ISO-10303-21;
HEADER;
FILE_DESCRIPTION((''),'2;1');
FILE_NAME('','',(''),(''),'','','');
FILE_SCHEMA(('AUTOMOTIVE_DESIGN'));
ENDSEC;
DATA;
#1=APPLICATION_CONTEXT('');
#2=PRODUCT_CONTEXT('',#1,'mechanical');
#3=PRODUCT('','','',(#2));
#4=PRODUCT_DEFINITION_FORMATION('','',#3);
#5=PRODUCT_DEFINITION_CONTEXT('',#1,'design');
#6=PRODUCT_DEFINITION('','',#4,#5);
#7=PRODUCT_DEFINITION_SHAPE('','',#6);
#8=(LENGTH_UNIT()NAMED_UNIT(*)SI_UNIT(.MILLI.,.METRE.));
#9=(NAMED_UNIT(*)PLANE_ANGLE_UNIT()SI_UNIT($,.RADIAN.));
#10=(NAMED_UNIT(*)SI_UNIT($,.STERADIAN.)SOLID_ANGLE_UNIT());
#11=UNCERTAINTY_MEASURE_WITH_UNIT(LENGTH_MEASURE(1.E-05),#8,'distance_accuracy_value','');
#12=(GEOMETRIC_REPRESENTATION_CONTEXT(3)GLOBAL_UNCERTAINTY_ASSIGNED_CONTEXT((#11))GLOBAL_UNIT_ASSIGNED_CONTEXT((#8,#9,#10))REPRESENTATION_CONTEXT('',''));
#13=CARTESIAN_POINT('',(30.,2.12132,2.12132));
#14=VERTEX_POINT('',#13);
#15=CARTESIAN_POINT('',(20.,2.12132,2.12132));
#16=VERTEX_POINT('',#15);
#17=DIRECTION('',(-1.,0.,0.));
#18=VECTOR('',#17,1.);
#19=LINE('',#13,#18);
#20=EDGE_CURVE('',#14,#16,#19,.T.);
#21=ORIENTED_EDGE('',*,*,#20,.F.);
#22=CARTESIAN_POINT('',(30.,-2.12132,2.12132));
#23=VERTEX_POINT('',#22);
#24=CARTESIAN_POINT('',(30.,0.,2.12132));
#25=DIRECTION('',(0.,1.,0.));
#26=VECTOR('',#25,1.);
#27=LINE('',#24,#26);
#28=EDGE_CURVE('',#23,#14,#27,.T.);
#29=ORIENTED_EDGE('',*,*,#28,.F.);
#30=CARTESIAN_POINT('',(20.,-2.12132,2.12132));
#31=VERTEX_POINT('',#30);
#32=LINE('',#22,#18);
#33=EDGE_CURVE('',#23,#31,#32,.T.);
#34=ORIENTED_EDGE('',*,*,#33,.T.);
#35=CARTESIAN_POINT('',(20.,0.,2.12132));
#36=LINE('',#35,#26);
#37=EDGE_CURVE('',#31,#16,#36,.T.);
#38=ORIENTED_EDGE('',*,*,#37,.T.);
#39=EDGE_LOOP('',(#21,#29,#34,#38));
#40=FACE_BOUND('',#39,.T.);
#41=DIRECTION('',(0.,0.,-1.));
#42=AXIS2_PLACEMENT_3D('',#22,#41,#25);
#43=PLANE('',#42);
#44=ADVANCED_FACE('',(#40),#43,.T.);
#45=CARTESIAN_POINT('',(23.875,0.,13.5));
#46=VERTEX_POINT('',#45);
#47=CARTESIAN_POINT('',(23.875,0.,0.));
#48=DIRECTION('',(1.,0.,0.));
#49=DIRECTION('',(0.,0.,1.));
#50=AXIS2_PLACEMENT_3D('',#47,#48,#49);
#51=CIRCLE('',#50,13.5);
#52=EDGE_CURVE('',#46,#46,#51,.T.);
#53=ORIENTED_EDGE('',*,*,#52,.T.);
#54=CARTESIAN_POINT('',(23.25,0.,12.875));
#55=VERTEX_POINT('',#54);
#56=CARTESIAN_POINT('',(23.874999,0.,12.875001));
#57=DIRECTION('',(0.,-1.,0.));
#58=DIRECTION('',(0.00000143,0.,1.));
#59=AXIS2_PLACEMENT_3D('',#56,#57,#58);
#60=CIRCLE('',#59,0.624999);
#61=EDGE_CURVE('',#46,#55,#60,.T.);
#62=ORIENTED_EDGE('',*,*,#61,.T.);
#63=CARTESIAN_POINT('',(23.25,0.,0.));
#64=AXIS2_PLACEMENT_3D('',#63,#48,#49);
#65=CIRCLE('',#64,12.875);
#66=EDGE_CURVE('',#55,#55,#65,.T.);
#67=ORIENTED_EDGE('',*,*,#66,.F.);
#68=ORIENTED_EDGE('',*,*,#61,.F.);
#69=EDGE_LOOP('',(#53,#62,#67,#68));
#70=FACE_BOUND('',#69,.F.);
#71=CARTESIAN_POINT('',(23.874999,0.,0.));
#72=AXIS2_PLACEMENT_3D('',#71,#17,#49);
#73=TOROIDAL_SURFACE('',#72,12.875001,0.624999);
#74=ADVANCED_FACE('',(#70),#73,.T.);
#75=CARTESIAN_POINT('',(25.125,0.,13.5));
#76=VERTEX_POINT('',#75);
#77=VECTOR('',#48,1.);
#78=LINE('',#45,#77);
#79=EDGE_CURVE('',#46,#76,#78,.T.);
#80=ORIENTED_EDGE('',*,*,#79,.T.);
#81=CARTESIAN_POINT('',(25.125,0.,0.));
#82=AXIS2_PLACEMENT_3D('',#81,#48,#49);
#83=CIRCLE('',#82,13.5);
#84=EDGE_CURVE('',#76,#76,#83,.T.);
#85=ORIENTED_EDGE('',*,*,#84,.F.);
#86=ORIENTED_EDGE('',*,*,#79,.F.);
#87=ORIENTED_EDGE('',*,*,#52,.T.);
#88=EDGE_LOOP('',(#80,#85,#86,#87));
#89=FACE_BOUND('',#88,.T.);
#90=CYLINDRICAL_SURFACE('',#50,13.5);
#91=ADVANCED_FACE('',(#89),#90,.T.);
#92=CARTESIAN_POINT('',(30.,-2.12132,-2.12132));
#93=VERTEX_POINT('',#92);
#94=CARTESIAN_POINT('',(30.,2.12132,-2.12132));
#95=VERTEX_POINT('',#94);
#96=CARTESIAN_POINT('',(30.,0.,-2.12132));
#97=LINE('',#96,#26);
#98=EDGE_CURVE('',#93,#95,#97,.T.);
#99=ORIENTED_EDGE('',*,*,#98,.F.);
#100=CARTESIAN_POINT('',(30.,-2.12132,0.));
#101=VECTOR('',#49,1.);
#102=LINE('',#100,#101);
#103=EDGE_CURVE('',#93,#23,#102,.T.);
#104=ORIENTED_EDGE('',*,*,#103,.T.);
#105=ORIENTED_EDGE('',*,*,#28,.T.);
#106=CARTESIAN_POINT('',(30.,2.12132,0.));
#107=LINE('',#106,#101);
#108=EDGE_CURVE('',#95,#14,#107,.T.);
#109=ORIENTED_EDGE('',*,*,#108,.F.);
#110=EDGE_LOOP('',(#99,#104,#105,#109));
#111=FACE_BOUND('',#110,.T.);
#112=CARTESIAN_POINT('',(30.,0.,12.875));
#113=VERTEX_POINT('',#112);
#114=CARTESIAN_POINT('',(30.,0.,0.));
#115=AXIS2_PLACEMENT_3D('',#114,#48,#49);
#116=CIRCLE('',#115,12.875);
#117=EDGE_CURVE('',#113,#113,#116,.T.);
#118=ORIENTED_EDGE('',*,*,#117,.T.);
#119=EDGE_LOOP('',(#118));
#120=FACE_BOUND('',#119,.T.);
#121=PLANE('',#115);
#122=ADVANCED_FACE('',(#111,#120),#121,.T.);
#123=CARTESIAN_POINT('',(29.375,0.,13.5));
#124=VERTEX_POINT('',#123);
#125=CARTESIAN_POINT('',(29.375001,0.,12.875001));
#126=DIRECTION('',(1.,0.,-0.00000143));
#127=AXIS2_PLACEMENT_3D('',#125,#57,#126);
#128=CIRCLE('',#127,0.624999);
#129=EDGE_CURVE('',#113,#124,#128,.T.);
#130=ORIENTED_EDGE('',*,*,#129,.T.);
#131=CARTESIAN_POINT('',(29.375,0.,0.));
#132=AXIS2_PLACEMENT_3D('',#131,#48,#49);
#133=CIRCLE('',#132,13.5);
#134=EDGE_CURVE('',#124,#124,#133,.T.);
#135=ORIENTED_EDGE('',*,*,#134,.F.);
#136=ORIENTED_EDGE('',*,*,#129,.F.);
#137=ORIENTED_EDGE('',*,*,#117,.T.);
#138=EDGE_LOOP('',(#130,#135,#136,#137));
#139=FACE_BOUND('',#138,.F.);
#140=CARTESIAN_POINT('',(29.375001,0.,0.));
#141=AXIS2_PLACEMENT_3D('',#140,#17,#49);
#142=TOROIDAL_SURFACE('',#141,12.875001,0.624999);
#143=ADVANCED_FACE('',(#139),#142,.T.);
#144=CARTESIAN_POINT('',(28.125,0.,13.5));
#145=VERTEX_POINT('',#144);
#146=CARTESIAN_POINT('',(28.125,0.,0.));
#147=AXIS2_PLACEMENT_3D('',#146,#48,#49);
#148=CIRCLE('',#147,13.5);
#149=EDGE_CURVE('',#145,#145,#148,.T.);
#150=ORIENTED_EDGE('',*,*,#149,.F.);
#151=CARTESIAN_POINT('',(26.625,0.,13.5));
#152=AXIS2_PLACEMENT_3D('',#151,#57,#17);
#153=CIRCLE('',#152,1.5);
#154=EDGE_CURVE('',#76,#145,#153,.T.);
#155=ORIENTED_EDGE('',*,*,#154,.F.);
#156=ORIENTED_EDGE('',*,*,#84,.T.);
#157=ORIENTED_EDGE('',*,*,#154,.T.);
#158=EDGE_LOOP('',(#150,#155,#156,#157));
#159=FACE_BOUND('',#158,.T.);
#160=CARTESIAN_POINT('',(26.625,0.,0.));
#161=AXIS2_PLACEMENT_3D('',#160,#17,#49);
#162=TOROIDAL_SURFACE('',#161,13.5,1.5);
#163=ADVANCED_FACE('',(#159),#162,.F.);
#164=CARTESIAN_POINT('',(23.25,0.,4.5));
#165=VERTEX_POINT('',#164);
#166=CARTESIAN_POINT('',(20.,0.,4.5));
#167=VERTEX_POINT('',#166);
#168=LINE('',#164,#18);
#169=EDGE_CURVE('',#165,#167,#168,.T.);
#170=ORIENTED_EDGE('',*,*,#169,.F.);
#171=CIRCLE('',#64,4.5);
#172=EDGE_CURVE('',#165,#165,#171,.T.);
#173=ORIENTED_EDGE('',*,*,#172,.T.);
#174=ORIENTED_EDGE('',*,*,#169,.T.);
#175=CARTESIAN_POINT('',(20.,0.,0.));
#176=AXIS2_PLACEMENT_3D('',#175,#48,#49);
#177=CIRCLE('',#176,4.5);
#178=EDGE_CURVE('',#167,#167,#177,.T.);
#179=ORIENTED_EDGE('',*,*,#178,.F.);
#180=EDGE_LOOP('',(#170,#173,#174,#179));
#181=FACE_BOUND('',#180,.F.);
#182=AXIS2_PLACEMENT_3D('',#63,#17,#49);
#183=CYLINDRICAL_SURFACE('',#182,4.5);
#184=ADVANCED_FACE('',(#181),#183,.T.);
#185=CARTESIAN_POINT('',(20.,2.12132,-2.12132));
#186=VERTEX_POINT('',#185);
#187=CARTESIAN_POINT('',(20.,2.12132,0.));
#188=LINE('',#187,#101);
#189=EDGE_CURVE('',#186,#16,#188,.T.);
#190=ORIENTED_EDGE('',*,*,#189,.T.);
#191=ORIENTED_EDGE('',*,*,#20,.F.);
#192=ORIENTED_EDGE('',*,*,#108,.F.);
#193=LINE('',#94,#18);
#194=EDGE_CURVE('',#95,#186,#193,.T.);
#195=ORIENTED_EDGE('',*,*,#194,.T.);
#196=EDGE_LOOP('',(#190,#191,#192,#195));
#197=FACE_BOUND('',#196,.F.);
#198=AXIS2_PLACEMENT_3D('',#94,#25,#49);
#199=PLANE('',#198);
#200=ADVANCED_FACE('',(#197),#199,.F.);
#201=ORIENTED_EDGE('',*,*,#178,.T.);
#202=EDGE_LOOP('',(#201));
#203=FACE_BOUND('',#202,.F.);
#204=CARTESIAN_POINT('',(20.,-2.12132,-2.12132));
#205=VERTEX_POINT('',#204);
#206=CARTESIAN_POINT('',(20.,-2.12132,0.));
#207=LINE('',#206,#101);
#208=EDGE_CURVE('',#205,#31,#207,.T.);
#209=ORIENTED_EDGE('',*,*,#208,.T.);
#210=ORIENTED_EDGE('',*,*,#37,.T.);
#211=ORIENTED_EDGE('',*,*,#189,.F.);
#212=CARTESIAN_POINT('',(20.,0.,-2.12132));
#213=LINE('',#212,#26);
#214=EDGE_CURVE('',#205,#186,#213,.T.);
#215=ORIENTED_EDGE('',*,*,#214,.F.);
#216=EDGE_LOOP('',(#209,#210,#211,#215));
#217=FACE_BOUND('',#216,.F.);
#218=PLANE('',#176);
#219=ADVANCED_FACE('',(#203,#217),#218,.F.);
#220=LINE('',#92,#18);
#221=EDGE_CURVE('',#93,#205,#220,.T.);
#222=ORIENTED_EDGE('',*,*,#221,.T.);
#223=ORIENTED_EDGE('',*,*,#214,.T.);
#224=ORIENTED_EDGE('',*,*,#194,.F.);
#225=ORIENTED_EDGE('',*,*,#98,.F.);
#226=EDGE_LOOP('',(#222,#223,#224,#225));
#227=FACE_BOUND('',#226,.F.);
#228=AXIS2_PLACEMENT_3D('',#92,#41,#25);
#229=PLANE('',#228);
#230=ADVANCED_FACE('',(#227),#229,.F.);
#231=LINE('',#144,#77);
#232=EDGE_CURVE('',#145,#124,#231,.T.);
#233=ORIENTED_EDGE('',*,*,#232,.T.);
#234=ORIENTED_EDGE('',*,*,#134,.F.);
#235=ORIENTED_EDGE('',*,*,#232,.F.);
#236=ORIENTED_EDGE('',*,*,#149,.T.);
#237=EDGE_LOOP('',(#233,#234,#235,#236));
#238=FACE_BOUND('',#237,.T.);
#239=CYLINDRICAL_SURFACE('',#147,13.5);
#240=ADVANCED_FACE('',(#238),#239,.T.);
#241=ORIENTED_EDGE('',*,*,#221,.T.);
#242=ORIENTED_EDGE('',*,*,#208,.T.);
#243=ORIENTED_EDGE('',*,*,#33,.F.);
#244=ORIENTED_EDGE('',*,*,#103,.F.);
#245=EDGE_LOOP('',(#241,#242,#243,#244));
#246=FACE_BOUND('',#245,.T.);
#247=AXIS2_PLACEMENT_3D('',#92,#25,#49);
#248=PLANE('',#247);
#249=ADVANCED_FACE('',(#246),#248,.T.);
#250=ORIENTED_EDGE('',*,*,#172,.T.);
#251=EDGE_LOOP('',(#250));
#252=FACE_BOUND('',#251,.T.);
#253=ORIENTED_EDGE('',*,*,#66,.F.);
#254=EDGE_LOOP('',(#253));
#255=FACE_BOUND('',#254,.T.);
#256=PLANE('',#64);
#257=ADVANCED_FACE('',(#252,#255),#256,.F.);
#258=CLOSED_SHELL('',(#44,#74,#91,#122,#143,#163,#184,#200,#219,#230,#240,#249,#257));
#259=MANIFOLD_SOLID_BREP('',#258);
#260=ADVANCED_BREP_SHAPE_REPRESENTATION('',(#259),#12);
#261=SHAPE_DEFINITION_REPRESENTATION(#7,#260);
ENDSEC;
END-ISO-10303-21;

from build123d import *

# Parameters (mm, degrees)
SKETCH009_W      = 4.24264
SKETCH009_H      = 4.24264
EXTRUDE004_DEPTH = 10


with BuildPart() as extrude004:
    # Sketch009 (on Face5 of Revolve001) → Extrude004 (new body)
    with BuildSketch(Plane.YZ.offset(30)):
        Rectangle(SKETCH009_W, SKETCH009_H)
    extrude(amount=-EXTRUDE004_DEPTH)


with BuildPart() as driven_wheel:
    # Sketch007 → Revolve001 (revolve)
    with BuildSketch(Plane.XZ):
        with BuildLine():
            Line((20, 4.5), (20, 0))
            Line((20, 0), (23.25, 0))
            Line((30, 0), (23.25, 0))
            Line((30, 12.875), (30, 0))
            ThreePointArc((30, 12.875), (29.816942, 13.316942), (29.375, 13.5))
            Line((28.125, 13.5), (29.375, 13.5))
            ThreePointArc((25.125, 13.5), (26.625, 12), (28.125, 13.5))
            Line((23.875, 13.5), (25.125, 13.5))
            ThreePointArc((23.875, 13.5), (23.433058, 13.316942), (23.25, 12.875))
            Line((23.25, 4.5), (23.25, 12.875))
            Line((23.25, 4.5), (20, 4.5))
        make_face()
    revolve(axis=Axis((0, 0, 0), (1, 0, 0)))

    # Cut: cut Extrude004
    add(extrude004.part, mode=Mode.SUBTRACT)


solid = driven_wheel.part
